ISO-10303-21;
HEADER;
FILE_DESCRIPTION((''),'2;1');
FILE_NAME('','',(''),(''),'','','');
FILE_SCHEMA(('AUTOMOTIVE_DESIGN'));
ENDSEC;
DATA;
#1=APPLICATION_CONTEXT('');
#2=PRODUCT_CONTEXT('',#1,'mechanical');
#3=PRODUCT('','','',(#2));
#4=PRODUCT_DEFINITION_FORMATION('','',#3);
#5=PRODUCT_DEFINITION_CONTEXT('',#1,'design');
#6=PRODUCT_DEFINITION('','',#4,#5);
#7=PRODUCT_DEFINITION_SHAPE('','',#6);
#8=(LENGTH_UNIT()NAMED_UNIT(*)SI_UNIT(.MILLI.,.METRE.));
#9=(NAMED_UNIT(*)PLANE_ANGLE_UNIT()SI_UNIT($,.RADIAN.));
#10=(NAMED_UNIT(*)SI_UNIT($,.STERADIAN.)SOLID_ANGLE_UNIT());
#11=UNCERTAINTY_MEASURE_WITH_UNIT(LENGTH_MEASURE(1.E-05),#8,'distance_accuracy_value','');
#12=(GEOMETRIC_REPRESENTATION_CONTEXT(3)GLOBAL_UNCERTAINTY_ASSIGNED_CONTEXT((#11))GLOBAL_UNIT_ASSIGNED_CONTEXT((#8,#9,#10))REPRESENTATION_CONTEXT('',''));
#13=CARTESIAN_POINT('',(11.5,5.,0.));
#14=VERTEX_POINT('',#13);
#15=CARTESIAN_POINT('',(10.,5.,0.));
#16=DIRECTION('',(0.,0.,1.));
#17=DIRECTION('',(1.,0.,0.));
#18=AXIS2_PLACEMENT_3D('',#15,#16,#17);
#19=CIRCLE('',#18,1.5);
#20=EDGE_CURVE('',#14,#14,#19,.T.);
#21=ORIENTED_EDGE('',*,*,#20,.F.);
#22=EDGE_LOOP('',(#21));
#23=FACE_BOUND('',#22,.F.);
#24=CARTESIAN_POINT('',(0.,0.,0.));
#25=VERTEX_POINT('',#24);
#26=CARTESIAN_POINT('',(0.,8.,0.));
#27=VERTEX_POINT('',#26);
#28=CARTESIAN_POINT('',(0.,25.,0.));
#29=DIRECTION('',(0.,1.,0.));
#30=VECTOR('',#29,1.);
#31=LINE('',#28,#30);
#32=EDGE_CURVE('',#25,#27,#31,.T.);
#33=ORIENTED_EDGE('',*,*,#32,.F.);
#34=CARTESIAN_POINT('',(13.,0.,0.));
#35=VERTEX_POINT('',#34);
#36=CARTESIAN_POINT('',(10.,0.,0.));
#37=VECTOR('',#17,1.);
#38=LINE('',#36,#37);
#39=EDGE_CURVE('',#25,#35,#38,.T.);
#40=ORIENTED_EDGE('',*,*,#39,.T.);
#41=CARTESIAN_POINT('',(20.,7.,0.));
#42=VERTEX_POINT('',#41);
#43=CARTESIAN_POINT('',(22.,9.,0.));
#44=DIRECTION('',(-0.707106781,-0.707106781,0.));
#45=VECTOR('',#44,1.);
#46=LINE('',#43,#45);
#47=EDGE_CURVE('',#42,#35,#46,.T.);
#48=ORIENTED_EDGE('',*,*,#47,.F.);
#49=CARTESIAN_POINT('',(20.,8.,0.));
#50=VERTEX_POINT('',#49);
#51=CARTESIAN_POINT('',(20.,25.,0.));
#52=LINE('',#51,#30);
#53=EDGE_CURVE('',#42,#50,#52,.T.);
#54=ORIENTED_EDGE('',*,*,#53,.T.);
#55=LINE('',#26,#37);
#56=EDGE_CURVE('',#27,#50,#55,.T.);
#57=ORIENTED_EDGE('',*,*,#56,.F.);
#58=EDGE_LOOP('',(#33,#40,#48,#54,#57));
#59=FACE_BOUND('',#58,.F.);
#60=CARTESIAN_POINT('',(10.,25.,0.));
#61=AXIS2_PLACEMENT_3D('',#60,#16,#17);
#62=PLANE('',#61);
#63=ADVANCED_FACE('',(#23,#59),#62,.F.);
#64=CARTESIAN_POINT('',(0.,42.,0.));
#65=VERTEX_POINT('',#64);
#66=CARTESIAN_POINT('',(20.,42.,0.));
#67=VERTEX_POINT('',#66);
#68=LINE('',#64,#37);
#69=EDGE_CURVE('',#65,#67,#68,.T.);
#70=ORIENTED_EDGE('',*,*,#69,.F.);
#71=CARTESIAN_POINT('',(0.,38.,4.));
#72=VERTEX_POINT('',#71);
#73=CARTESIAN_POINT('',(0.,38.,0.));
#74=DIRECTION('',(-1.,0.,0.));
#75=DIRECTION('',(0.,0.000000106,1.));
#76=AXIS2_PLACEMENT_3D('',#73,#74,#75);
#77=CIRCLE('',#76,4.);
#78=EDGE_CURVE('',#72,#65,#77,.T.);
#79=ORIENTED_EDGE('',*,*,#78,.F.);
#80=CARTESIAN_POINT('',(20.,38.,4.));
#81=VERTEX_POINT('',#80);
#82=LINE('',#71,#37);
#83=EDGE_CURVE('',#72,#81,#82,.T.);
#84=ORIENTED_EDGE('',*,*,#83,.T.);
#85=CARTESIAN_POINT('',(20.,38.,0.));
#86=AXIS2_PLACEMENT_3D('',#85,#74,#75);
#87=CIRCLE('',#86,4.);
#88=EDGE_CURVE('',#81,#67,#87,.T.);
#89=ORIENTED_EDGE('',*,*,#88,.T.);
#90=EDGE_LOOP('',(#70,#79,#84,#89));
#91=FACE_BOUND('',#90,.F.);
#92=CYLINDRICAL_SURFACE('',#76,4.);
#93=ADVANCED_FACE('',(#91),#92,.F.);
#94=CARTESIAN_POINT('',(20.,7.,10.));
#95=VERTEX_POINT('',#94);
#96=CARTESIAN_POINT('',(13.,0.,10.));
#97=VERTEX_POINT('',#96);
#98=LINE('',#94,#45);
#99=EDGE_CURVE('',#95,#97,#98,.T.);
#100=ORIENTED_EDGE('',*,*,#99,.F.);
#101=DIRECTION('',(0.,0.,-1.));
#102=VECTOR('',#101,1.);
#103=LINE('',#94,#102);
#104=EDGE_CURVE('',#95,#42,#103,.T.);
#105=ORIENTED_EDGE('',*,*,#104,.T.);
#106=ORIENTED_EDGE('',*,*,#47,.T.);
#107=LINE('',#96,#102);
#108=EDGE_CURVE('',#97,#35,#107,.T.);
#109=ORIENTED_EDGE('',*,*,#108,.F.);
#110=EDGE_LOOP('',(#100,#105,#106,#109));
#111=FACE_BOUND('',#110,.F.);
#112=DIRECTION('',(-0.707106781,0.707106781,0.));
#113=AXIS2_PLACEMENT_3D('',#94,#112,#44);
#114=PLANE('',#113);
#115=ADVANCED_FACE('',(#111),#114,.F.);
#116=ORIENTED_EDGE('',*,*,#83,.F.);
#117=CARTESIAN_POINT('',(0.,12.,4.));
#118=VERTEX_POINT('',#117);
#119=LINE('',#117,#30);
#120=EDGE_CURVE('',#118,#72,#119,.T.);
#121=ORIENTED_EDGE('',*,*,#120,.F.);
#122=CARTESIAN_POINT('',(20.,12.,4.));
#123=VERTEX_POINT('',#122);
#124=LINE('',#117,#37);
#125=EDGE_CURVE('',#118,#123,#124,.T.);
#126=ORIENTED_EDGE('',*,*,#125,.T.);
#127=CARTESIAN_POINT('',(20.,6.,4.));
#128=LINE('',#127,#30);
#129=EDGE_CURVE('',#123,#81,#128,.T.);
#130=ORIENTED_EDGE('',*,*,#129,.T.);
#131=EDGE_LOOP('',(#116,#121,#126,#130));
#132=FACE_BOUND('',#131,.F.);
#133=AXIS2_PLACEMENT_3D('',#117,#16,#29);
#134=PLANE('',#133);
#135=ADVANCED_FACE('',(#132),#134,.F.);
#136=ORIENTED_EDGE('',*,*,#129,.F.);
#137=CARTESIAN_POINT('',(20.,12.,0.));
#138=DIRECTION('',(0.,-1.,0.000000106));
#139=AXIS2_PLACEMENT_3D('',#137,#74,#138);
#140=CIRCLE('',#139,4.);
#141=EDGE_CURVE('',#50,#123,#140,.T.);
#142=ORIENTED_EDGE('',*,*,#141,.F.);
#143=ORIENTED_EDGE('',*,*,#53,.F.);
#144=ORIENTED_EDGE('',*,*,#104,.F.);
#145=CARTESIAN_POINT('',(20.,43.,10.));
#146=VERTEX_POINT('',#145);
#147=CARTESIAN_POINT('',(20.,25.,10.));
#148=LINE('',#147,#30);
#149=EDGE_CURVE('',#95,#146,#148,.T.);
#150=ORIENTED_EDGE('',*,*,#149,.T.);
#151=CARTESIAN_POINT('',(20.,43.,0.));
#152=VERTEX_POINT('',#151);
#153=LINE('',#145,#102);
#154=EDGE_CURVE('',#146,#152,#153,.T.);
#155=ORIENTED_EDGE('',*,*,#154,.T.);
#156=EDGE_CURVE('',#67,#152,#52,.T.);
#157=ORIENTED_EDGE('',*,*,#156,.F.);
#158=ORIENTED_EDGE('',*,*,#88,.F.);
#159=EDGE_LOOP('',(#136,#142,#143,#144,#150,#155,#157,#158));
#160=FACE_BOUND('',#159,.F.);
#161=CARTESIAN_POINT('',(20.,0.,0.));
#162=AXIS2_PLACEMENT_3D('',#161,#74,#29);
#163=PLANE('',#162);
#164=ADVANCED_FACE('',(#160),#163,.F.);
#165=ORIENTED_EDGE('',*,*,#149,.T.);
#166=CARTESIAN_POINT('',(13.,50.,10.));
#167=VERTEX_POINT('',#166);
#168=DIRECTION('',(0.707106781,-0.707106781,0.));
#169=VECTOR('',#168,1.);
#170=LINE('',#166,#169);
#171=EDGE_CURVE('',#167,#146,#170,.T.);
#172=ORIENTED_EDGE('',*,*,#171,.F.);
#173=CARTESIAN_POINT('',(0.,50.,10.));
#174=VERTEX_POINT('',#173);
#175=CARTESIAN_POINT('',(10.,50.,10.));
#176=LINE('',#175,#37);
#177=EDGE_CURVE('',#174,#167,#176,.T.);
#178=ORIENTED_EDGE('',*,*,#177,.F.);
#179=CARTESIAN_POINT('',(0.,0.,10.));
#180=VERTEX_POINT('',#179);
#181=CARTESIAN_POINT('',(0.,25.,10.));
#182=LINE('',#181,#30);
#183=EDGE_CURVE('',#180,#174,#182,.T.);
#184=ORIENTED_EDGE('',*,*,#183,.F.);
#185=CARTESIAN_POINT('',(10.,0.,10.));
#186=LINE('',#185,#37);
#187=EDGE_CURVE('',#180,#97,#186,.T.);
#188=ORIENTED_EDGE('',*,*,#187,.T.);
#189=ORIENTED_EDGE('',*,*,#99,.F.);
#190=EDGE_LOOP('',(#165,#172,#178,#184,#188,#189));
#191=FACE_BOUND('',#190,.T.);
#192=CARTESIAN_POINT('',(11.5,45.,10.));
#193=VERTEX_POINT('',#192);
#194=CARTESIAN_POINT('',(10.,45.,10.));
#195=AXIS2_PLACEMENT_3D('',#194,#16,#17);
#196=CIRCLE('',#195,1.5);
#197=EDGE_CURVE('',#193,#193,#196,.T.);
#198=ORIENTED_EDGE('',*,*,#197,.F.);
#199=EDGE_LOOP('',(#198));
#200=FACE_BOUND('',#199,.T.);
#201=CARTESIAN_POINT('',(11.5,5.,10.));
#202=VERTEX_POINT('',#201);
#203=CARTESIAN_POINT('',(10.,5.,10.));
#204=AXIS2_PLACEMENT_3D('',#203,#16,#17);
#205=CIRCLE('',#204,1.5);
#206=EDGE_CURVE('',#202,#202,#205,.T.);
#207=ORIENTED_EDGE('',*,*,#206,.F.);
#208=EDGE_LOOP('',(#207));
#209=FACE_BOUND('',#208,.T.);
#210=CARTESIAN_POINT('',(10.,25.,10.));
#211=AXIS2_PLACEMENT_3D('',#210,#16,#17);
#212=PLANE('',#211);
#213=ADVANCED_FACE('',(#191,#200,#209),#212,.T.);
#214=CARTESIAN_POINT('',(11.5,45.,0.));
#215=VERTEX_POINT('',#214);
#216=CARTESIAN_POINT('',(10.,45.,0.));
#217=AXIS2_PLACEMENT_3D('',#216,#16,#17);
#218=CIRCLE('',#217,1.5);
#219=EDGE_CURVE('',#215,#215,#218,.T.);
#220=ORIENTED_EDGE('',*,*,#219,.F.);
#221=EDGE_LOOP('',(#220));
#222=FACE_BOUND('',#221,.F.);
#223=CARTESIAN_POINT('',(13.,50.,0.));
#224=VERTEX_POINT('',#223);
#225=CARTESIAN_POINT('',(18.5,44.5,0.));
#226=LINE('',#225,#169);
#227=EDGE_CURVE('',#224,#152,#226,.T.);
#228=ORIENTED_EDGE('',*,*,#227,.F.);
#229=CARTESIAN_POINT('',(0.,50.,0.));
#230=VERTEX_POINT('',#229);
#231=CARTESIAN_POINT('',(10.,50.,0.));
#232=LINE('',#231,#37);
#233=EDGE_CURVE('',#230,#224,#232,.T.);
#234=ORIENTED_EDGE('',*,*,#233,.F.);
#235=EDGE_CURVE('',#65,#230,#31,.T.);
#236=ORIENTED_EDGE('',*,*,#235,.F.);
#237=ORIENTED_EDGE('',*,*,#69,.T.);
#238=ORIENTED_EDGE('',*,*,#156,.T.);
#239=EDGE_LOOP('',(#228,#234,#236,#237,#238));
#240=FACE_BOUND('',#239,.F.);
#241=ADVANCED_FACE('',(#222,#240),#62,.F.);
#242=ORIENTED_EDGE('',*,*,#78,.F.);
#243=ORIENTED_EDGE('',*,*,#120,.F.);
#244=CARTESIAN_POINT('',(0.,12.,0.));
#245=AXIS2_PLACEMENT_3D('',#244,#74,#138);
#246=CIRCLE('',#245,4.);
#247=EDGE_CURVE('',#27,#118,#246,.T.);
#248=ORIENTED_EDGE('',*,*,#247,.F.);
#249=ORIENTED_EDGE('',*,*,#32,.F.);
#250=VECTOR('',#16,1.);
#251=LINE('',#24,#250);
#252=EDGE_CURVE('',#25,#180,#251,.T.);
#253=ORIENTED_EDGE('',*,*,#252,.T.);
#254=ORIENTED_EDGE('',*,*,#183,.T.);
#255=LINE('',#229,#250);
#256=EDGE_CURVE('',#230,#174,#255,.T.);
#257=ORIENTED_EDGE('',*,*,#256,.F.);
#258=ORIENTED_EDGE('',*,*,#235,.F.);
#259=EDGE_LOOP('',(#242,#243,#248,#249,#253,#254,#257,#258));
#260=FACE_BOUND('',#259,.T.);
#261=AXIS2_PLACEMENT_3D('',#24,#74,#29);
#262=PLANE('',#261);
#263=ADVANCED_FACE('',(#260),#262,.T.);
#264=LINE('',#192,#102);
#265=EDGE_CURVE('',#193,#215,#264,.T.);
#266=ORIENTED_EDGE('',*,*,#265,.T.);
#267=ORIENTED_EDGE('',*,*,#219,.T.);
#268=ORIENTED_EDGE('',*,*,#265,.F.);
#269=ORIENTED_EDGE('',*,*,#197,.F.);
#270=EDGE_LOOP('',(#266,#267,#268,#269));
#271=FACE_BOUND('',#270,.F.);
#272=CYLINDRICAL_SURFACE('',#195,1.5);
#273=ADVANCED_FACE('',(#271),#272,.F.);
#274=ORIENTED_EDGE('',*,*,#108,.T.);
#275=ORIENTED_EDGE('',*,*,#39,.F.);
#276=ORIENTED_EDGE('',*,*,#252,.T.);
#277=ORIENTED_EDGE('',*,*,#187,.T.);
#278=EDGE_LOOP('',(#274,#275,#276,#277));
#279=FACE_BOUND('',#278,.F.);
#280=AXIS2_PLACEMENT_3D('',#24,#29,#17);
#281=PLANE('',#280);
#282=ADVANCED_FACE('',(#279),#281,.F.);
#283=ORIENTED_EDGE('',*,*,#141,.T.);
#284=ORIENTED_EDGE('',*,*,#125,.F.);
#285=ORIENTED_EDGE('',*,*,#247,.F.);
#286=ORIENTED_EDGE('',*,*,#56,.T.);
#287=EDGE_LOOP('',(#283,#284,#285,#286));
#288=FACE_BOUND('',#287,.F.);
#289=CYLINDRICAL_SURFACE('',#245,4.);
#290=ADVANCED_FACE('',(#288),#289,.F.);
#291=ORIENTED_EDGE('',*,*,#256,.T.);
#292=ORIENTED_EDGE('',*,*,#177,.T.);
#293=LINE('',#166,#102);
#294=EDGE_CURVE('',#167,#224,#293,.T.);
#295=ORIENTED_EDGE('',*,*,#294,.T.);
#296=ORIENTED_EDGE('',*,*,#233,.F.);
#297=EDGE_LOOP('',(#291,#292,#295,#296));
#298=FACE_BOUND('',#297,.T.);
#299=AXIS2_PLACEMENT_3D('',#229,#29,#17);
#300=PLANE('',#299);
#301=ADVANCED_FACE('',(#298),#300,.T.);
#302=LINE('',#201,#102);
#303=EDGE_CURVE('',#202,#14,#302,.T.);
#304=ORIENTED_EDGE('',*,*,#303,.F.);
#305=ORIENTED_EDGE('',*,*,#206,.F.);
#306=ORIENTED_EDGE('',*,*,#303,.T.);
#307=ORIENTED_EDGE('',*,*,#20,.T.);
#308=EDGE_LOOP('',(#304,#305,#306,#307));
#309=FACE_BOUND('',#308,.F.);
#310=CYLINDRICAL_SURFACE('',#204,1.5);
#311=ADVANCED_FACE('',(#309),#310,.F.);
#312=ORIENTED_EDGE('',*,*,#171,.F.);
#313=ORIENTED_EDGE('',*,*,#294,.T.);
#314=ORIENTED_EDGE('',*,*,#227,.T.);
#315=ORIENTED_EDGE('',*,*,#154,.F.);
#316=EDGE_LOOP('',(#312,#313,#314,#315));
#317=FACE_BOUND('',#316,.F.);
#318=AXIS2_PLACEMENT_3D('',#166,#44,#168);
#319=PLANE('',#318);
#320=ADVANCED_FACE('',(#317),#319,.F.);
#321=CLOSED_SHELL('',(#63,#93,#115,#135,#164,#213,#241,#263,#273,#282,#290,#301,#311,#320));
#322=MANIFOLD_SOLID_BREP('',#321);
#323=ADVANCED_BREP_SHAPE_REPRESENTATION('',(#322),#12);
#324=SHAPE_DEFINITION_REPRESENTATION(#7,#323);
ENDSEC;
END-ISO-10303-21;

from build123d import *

# Parameters (mm, degrees)
F0_W     = 20
F0_H     = 50
F1_DEPTH = 10
F2_R     = 1.5
F3_DEPTH = 10.001
F5_DEPTH = 20.001
F7_DEPTH = 10.001


with BuildPart() as f1:
    # F0 (on Top) → F1 (new body)
    with BuildSketch(Plane.XY):
        with Locations((10, 25)):
            Rectangle(F0_W, F0_H)
    extrude(amount=F1_DEPTH)

    # F2 (on face) → F3 (cut, through all)
    with BuildSketch(Plane.XY.offset(10)):
        with Locations((10, 45)):
            Circle(F2_R)
        with Locations((10, 5)):
            Circle(F2_R)
    extrude(amount=-F3_DEPTH, mode=Mode.SUBTRACT)

    # F4 (on face) → F5 (cut, through all)
    with BuildSketch(Plane(origin=(0, 0, 0), x_dir=(0, -1, 0), z_dir=(-1, 0, 0))):
        with BuildLine():
            Line((-42, 0), (-8, 0))
            ThreePointArc((-8, 0), (-9.171573, 2.828427), (-12, 4))
            Line((-12, 4), (-38, 4))
            ThreePointArc((-38, 4), (-40.828427, 2.828427), (-42, 0))
        make_face()
    extrude(amount=-F5_DEPTH, mode=Mode.SUBTRACT)

    # F6 (on face) → F7 (cut, through all)
    with BuildSketch(Plane.XY.offset(10)):
        Polygon((13, 0), (20, 0), (20, 7), align=None)
        Polygon((13, 50), (20, 43), (20, 50), align=None)
    extrude(amount=-F7_DEPTH, mode=Mode.SUBTRACT)


solid = f1.part
